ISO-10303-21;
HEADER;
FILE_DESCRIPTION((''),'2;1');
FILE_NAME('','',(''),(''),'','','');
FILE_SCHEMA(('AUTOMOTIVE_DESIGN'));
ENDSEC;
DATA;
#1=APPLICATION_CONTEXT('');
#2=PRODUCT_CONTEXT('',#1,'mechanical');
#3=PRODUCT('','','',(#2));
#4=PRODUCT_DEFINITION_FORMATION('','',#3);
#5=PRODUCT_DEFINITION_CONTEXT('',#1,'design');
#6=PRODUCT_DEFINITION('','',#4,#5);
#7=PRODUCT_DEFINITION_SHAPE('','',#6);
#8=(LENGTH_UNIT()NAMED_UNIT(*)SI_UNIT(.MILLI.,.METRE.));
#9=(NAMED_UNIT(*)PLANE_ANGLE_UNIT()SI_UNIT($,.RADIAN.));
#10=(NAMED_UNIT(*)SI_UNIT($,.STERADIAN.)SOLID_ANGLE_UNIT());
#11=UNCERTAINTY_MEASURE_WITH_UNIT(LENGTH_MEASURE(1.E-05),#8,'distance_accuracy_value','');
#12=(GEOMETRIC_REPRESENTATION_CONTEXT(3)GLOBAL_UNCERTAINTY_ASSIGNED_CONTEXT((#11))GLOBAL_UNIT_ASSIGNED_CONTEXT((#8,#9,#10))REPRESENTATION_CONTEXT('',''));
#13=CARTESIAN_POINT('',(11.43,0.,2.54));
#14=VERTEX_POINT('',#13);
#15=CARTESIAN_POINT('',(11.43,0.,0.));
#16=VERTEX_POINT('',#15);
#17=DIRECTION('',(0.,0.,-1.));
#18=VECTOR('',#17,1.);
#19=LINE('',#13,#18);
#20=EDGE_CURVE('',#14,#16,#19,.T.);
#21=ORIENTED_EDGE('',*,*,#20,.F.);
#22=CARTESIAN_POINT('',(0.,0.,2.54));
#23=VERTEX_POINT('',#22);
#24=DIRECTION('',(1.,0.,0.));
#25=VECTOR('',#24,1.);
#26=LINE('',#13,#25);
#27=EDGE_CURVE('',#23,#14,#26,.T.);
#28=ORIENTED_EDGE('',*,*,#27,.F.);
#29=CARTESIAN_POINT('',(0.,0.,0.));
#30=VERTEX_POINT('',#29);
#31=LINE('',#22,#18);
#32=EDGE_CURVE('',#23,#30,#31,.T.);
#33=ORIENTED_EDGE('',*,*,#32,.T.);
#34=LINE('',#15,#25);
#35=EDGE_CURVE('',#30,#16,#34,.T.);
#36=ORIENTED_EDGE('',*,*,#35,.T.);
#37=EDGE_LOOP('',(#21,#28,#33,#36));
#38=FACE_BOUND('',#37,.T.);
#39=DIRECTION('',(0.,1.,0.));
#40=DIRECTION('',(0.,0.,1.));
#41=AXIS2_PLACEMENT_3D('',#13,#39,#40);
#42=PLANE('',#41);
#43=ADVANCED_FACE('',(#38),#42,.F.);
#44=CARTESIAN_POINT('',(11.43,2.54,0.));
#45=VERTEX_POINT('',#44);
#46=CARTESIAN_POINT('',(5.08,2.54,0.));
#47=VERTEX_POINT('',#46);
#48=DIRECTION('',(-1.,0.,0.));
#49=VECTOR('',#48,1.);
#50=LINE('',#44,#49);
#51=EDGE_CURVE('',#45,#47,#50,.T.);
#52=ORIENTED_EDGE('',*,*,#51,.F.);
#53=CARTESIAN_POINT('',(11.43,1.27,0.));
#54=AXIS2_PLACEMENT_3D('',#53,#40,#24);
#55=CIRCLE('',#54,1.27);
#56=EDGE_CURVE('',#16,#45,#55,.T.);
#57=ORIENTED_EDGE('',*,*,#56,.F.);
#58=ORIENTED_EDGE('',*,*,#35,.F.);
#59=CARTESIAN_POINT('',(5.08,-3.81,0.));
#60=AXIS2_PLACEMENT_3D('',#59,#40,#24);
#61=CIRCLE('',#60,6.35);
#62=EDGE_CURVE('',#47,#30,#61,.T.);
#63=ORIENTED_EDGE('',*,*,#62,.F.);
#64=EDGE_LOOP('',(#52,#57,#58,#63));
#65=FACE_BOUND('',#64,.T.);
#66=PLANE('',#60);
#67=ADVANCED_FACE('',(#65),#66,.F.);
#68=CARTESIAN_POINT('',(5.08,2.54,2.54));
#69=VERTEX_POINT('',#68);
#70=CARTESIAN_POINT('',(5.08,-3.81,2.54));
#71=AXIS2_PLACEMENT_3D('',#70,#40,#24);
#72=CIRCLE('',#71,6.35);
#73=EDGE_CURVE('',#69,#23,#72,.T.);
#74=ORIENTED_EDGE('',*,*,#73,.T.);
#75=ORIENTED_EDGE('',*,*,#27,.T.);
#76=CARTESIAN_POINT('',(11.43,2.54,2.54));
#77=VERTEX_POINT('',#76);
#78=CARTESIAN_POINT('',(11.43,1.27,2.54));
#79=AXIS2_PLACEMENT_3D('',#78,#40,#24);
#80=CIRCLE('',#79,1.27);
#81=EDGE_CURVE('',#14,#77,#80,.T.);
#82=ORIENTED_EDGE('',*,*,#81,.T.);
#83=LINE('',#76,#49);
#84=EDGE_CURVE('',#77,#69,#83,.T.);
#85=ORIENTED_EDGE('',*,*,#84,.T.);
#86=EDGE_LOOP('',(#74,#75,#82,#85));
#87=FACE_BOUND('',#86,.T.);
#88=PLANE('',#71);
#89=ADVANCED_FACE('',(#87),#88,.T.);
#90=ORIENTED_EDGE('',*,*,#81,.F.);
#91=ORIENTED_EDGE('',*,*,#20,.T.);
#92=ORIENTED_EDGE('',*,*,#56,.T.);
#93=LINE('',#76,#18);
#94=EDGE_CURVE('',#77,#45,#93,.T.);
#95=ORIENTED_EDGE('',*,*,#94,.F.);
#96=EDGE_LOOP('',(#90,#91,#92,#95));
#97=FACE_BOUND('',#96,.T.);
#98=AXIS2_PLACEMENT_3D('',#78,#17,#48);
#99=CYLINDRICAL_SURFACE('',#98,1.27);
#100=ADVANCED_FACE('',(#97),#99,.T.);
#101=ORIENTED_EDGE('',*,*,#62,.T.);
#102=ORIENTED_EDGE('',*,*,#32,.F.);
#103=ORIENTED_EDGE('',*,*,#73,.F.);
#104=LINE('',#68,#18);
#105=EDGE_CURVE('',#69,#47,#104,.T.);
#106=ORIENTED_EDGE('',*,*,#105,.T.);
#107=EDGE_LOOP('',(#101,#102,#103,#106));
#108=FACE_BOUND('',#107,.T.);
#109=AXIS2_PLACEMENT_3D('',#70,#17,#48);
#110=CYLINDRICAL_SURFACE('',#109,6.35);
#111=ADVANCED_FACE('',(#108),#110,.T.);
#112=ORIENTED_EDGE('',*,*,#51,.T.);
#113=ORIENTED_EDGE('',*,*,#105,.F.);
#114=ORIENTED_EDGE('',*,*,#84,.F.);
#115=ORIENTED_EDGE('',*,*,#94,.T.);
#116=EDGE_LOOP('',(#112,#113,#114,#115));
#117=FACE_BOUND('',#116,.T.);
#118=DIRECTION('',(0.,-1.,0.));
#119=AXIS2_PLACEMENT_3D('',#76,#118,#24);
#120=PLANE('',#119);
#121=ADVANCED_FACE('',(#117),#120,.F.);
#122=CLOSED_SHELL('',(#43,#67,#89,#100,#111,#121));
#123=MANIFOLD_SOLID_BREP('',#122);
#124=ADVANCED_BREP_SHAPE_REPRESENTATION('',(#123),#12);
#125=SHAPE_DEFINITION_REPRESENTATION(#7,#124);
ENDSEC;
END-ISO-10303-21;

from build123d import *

# Parameters (mm, degrees)
BOSS_EXTRUDE1_DEPTH = 2.54


with BuildPart() as part:
    # Sketch1 → Boss-Extrude1 (new body)
    with BuildSketch(Plane.XY):
        with BuildLine():
            Line((11.43, 0), (0, 0))
            ThreePointArc((0, 0), (2.240193669, 1.869612663), (5.08, 2.54))
            Line((5.08, 2.54), (11.43, 2.54))
            ThreePointArc((11.43, 2.54), (12.7, 1.27), (11.43, 0))
        make_face()
    extrude(amount=BOSS_EXTRUDE1_DEPTH)


solid = part.part
